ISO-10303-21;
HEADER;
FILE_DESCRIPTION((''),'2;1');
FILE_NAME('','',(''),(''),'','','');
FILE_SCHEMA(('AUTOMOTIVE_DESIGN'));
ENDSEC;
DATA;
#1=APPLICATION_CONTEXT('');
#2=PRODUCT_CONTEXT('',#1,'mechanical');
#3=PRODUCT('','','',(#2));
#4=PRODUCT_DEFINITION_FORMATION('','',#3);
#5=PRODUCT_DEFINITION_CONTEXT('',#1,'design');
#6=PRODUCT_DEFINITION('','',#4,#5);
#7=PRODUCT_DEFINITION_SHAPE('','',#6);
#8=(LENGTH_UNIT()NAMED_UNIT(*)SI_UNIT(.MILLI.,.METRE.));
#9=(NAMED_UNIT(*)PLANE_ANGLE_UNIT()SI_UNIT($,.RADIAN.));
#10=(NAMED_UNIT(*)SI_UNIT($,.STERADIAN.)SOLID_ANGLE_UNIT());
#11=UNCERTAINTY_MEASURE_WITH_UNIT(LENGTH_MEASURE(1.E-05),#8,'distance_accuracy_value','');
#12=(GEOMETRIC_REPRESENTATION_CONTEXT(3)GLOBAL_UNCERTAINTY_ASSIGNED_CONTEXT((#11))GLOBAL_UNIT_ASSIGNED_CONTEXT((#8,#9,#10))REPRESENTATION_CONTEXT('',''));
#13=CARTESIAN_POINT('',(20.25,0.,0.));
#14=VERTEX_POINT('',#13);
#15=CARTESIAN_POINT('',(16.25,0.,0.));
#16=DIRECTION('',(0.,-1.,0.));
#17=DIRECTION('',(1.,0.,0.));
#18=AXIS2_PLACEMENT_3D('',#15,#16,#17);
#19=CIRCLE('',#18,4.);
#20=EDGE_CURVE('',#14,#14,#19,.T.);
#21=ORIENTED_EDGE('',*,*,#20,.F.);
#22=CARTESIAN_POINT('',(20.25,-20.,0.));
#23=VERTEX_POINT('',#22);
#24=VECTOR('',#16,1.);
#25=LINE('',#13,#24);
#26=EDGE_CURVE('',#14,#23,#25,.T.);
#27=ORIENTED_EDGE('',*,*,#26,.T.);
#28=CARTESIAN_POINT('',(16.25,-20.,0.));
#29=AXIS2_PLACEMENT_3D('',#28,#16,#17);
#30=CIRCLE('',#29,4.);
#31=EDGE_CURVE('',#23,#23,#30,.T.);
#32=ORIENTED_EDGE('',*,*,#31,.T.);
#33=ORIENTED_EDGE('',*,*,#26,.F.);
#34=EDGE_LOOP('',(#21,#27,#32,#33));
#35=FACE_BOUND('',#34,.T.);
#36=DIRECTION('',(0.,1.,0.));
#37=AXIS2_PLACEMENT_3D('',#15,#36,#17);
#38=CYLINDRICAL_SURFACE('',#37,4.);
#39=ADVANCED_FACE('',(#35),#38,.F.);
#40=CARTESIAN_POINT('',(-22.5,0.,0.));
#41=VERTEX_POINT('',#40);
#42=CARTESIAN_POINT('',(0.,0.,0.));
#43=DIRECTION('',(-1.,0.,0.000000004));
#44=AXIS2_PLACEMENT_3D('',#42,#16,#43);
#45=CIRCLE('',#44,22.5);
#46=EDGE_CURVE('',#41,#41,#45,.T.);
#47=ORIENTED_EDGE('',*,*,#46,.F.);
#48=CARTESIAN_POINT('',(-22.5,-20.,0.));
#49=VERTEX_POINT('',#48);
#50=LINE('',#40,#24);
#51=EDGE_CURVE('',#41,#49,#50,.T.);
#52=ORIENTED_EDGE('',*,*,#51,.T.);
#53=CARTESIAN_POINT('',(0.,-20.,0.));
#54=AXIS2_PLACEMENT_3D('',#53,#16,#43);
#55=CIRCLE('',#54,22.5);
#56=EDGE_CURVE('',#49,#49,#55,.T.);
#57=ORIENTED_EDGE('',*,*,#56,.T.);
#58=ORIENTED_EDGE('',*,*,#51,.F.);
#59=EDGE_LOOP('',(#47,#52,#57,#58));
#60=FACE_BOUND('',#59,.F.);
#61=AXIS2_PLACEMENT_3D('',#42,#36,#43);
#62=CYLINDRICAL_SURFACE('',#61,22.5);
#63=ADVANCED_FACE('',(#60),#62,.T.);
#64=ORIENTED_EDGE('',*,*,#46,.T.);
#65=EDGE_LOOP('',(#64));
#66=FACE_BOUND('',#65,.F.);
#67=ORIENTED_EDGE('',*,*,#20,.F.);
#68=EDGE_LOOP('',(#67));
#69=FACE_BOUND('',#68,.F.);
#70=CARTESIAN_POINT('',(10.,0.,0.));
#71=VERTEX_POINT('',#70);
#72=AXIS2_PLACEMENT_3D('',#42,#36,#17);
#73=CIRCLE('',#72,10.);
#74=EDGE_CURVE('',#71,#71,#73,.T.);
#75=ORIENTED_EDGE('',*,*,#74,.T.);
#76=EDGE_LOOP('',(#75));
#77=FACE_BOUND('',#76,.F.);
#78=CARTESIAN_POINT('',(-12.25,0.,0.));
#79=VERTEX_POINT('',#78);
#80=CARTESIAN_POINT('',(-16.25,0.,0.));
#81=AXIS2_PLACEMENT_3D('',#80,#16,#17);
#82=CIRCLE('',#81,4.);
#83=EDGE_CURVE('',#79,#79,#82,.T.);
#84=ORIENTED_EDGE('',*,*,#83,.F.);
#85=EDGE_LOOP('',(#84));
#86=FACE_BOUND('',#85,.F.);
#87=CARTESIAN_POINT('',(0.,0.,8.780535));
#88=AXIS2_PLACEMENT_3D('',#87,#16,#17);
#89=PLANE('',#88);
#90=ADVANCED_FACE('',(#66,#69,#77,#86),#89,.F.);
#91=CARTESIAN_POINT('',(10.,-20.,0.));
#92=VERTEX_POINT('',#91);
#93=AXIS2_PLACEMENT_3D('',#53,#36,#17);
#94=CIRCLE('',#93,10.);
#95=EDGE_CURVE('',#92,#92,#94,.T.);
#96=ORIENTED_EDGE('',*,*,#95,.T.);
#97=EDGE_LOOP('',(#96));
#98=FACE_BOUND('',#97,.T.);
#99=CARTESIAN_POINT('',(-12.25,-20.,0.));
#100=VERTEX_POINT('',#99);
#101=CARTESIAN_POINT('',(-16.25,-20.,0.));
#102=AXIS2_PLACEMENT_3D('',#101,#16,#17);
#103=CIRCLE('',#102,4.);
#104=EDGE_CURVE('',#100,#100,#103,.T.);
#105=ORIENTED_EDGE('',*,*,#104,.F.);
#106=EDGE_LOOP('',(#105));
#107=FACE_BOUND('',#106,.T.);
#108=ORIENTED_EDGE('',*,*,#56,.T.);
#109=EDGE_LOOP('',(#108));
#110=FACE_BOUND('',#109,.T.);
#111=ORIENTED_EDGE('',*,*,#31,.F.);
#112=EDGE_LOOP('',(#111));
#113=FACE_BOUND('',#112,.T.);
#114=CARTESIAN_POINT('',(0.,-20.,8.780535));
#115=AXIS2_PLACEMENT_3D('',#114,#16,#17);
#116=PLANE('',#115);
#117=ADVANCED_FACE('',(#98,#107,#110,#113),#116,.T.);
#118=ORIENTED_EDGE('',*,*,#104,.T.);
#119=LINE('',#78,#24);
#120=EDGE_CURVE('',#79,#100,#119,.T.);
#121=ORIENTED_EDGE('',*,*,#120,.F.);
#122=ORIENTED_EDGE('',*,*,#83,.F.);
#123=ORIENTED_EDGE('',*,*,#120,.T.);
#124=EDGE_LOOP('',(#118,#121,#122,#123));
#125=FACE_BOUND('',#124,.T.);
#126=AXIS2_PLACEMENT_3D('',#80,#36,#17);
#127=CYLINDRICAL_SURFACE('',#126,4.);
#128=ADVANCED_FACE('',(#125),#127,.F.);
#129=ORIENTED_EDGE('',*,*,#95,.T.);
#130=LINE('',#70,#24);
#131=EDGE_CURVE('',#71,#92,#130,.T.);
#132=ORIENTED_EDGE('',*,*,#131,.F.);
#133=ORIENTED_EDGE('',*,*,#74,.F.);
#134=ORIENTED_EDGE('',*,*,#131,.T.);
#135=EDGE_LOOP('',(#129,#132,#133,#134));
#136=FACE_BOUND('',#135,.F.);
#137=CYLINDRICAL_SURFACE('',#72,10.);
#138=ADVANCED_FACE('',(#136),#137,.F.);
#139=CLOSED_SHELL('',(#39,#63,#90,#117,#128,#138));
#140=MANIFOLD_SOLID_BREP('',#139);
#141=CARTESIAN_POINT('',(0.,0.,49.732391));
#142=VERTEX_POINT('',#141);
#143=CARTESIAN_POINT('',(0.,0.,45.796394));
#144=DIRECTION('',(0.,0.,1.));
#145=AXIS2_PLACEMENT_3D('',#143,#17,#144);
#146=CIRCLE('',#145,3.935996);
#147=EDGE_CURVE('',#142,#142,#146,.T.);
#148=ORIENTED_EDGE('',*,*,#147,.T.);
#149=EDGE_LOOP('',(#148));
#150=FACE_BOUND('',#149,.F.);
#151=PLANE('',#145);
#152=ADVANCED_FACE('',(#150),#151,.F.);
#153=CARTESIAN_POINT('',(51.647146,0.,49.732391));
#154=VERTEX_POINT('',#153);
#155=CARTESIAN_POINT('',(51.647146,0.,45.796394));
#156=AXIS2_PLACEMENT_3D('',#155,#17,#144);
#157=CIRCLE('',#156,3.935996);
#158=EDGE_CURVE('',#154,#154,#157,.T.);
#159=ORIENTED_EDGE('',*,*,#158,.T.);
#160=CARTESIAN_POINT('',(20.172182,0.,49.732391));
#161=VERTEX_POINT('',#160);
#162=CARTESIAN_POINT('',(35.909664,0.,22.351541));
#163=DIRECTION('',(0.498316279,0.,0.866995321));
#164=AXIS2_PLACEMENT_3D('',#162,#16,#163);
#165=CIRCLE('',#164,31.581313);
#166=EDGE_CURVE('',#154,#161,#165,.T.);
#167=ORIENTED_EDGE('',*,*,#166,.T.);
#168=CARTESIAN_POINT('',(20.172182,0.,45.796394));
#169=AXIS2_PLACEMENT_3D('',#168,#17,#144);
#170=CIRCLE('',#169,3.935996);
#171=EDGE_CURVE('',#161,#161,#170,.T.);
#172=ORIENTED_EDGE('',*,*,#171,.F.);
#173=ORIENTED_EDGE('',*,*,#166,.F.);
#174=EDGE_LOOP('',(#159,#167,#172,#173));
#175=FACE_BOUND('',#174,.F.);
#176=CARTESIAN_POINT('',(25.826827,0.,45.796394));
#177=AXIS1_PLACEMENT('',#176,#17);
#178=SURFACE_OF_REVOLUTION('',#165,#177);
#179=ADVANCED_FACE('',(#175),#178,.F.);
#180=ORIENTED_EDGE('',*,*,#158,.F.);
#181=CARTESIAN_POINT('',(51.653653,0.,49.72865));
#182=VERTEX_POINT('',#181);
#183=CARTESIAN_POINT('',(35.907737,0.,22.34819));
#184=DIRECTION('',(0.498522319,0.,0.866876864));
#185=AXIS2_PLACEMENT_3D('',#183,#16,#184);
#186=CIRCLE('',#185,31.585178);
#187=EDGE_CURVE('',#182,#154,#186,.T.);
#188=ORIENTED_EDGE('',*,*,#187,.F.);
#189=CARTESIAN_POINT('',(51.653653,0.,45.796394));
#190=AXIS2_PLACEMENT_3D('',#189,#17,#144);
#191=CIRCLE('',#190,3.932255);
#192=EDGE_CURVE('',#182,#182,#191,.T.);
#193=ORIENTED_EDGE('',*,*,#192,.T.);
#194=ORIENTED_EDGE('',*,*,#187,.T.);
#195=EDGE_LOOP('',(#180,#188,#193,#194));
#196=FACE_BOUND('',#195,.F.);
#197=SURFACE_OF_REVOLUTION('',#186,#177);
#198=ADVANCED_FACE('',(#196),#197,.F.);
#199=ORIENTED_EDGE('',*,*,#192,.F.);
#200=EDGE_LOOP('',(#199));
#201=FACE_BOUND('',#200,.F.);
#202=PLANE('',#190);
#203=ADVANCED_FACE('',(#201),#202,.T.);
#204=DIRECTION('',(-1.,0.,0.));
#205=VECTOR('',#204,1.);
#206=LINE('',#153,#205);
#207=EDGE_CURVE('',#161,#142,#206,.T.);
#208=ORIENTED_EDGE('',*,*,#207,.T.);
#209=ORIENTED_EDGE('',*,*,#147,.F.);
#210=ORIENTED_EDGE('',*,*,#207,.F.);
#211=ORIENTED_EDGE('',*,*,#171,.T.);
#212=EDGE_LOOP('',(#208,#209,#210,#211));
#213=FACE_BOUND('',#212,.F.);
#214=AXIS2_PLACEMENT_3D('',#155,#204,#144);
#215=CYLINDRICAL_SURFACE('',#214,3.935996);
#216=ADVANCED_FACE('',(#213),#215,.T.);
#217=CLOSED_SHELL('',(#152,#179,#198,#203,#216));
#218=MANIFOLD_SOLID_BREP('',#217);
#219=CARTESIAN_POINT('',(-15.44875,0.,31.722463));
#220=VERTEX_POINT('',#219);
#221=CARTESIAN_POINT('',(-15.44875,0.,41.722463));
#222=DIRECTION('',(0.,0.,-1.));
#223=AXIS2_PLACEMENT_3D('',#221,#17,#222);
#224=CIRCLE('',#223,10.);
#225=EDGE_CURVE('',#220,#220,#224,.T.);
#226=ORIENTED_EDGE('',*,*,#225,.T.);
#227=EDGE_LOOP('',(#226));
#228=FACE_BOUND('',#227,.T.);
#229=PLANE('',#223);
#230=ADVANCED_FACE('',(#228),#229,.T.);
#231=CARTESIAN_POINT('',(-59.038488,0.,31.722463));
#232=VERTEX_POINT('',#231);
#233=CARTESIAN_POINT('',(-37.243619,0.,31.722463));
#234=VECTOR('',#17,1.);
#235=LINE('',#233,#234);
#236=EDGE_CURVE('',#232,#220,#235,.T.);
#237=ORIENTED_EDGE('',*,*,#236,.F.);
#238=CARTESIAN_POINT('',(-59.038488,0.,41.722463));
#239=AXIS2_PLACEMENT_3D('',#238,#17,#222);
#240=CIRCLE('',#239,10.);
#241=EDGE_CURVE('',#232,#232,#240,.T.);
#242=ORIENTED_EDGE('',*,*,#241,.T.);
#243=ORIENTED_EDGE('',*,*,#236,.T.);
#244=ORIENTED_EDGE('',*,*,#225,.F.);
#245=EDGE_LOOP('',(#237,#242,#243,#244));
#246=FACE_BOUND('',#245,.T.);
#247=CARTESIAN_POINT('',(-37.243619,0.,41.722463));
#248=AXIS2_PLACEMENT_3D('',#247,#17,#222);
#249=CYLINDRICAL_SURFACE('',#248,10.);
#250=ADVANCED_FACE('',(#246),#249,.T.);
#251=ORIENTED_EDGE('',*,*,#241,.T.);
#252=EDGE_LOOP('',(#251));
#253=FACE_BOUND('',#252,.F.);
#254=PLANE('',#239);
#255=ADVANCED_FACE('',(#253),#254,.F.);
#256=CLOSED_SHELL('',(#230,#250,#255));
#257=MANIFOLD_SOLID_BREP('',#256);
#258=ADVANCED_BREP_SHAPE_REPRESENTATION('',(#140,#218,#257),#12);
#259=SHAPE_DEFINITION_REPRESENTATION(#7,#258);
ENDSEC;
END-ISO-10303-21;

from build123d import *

# Parameters (mm, degrees)
F0_R     = 4
F1_DEPTH = 20
F4_W     = 43.5897379518
F4_H     = 10


with BuildPart() as f1:
    # F0 (on Front) → F1 (new body)
    with BuildSketch(Plane.XZ):
        with BuildLine():
            ThreePointArc((10, 0), (16.25, 6.25), (22.5, 0))
            ThreePointArc((22.5, 0), (4.03e-08, 22.5), (-22.5, 8.06e-08))
            ThreePointArc((-22.5, 8.06e-08), (-16.2499999597, 6.25), (-10, 0))
            ThreePointArc((-10, 0), (0, 10), (10, 0))
        make_face()
        with BuildLine():
            ThreePointArc((10, 0), (16.25, -6.25), (22.5, 0))
            ThreePointArc((22.5, 0), (16.25, 6.25), (10, 0))
        make_face()
        with Locations((16.25, 0)):
            Circle(F0_R, mode=Mode.SUBTRACT)
        with BuildLine():
            ThreePointArc((-10, 0), (-16.2499999597, 6.25), (-22.5, 8.06e-08))
            ThreePointArc((-22.5, 8.06e-08), (-16.2500000403, -6.25), (-10, 0))
        make_face()
        with Locations((-16.25, 0)):
            Circle(F0_R, mode=Mode.SUBTRACT)
        with BuildLine():
            ThreePointArc((-22.5, 8.06e-08), (-4.03e-08, -22.5), (22.5, 0))
            ThreePointArc((22.5, 0), (16.25, -6.25), (10, 0))
            ThreePointArc((10, 0), (0, -10), (-10, 0))
            ThreePointArc((-10, 0), (-16.2500000403, -6.25), (-22.5, 8.06e-08))
        make_face()
    extrude(amount=F1_DEPTH)


with BuildPart() as f3:
    # F2 (on Front) → F3 (revolve)
    with BuildSketch(Plane.XZ):
        with BuildLine():
            Line((20.1721817479, 49.7323907912), (0, 49.7323907912))
            Line((0, 49.7323907912), (0, 45.7963943481))
            Line((0, 45.7963943481), (51.6536533833, 45.7963943481))
            Line((51.6536533833, 45.7963943481), (51.6536533833, 49.728649577))
            ThreePointArc((51.6536533833, 49.728649577), (51.6503998147, 49.7305203774), (51.6471460238, 49.7323907912))
            Line((51.6471460238, 49.7323907912), (20.1721817479, 49.7323907912))
        make_face()
        with BuildLine():
            ThreePointArc((51.6471460238, 49.7323907912), (35.9096638858, 53.9328531352), (20.1721817479, 49.7323907912))
            Line((20.1721817479, 49.7323907912), (51.6471460238, 49.7323907912))
        make_face()
    revolve(axis=Axis((25.8268266916, 0, 45.7963943481), (1, 0, 0)))


with BuildPart() as f5:
    # F4 (on Front) → F5 (revolve)
    with BuildSketch(Plane.XZ):
        with Locations((-37.2436190955, 36.7224626243)):
            Rectangle(F4_W, F4_H)
    revolve(axis=Axis((-37.2436190955, 0, 41.7224626243), (1, 0, 0)))


solid = Compound([f1.part, f3.part, f5.part])
